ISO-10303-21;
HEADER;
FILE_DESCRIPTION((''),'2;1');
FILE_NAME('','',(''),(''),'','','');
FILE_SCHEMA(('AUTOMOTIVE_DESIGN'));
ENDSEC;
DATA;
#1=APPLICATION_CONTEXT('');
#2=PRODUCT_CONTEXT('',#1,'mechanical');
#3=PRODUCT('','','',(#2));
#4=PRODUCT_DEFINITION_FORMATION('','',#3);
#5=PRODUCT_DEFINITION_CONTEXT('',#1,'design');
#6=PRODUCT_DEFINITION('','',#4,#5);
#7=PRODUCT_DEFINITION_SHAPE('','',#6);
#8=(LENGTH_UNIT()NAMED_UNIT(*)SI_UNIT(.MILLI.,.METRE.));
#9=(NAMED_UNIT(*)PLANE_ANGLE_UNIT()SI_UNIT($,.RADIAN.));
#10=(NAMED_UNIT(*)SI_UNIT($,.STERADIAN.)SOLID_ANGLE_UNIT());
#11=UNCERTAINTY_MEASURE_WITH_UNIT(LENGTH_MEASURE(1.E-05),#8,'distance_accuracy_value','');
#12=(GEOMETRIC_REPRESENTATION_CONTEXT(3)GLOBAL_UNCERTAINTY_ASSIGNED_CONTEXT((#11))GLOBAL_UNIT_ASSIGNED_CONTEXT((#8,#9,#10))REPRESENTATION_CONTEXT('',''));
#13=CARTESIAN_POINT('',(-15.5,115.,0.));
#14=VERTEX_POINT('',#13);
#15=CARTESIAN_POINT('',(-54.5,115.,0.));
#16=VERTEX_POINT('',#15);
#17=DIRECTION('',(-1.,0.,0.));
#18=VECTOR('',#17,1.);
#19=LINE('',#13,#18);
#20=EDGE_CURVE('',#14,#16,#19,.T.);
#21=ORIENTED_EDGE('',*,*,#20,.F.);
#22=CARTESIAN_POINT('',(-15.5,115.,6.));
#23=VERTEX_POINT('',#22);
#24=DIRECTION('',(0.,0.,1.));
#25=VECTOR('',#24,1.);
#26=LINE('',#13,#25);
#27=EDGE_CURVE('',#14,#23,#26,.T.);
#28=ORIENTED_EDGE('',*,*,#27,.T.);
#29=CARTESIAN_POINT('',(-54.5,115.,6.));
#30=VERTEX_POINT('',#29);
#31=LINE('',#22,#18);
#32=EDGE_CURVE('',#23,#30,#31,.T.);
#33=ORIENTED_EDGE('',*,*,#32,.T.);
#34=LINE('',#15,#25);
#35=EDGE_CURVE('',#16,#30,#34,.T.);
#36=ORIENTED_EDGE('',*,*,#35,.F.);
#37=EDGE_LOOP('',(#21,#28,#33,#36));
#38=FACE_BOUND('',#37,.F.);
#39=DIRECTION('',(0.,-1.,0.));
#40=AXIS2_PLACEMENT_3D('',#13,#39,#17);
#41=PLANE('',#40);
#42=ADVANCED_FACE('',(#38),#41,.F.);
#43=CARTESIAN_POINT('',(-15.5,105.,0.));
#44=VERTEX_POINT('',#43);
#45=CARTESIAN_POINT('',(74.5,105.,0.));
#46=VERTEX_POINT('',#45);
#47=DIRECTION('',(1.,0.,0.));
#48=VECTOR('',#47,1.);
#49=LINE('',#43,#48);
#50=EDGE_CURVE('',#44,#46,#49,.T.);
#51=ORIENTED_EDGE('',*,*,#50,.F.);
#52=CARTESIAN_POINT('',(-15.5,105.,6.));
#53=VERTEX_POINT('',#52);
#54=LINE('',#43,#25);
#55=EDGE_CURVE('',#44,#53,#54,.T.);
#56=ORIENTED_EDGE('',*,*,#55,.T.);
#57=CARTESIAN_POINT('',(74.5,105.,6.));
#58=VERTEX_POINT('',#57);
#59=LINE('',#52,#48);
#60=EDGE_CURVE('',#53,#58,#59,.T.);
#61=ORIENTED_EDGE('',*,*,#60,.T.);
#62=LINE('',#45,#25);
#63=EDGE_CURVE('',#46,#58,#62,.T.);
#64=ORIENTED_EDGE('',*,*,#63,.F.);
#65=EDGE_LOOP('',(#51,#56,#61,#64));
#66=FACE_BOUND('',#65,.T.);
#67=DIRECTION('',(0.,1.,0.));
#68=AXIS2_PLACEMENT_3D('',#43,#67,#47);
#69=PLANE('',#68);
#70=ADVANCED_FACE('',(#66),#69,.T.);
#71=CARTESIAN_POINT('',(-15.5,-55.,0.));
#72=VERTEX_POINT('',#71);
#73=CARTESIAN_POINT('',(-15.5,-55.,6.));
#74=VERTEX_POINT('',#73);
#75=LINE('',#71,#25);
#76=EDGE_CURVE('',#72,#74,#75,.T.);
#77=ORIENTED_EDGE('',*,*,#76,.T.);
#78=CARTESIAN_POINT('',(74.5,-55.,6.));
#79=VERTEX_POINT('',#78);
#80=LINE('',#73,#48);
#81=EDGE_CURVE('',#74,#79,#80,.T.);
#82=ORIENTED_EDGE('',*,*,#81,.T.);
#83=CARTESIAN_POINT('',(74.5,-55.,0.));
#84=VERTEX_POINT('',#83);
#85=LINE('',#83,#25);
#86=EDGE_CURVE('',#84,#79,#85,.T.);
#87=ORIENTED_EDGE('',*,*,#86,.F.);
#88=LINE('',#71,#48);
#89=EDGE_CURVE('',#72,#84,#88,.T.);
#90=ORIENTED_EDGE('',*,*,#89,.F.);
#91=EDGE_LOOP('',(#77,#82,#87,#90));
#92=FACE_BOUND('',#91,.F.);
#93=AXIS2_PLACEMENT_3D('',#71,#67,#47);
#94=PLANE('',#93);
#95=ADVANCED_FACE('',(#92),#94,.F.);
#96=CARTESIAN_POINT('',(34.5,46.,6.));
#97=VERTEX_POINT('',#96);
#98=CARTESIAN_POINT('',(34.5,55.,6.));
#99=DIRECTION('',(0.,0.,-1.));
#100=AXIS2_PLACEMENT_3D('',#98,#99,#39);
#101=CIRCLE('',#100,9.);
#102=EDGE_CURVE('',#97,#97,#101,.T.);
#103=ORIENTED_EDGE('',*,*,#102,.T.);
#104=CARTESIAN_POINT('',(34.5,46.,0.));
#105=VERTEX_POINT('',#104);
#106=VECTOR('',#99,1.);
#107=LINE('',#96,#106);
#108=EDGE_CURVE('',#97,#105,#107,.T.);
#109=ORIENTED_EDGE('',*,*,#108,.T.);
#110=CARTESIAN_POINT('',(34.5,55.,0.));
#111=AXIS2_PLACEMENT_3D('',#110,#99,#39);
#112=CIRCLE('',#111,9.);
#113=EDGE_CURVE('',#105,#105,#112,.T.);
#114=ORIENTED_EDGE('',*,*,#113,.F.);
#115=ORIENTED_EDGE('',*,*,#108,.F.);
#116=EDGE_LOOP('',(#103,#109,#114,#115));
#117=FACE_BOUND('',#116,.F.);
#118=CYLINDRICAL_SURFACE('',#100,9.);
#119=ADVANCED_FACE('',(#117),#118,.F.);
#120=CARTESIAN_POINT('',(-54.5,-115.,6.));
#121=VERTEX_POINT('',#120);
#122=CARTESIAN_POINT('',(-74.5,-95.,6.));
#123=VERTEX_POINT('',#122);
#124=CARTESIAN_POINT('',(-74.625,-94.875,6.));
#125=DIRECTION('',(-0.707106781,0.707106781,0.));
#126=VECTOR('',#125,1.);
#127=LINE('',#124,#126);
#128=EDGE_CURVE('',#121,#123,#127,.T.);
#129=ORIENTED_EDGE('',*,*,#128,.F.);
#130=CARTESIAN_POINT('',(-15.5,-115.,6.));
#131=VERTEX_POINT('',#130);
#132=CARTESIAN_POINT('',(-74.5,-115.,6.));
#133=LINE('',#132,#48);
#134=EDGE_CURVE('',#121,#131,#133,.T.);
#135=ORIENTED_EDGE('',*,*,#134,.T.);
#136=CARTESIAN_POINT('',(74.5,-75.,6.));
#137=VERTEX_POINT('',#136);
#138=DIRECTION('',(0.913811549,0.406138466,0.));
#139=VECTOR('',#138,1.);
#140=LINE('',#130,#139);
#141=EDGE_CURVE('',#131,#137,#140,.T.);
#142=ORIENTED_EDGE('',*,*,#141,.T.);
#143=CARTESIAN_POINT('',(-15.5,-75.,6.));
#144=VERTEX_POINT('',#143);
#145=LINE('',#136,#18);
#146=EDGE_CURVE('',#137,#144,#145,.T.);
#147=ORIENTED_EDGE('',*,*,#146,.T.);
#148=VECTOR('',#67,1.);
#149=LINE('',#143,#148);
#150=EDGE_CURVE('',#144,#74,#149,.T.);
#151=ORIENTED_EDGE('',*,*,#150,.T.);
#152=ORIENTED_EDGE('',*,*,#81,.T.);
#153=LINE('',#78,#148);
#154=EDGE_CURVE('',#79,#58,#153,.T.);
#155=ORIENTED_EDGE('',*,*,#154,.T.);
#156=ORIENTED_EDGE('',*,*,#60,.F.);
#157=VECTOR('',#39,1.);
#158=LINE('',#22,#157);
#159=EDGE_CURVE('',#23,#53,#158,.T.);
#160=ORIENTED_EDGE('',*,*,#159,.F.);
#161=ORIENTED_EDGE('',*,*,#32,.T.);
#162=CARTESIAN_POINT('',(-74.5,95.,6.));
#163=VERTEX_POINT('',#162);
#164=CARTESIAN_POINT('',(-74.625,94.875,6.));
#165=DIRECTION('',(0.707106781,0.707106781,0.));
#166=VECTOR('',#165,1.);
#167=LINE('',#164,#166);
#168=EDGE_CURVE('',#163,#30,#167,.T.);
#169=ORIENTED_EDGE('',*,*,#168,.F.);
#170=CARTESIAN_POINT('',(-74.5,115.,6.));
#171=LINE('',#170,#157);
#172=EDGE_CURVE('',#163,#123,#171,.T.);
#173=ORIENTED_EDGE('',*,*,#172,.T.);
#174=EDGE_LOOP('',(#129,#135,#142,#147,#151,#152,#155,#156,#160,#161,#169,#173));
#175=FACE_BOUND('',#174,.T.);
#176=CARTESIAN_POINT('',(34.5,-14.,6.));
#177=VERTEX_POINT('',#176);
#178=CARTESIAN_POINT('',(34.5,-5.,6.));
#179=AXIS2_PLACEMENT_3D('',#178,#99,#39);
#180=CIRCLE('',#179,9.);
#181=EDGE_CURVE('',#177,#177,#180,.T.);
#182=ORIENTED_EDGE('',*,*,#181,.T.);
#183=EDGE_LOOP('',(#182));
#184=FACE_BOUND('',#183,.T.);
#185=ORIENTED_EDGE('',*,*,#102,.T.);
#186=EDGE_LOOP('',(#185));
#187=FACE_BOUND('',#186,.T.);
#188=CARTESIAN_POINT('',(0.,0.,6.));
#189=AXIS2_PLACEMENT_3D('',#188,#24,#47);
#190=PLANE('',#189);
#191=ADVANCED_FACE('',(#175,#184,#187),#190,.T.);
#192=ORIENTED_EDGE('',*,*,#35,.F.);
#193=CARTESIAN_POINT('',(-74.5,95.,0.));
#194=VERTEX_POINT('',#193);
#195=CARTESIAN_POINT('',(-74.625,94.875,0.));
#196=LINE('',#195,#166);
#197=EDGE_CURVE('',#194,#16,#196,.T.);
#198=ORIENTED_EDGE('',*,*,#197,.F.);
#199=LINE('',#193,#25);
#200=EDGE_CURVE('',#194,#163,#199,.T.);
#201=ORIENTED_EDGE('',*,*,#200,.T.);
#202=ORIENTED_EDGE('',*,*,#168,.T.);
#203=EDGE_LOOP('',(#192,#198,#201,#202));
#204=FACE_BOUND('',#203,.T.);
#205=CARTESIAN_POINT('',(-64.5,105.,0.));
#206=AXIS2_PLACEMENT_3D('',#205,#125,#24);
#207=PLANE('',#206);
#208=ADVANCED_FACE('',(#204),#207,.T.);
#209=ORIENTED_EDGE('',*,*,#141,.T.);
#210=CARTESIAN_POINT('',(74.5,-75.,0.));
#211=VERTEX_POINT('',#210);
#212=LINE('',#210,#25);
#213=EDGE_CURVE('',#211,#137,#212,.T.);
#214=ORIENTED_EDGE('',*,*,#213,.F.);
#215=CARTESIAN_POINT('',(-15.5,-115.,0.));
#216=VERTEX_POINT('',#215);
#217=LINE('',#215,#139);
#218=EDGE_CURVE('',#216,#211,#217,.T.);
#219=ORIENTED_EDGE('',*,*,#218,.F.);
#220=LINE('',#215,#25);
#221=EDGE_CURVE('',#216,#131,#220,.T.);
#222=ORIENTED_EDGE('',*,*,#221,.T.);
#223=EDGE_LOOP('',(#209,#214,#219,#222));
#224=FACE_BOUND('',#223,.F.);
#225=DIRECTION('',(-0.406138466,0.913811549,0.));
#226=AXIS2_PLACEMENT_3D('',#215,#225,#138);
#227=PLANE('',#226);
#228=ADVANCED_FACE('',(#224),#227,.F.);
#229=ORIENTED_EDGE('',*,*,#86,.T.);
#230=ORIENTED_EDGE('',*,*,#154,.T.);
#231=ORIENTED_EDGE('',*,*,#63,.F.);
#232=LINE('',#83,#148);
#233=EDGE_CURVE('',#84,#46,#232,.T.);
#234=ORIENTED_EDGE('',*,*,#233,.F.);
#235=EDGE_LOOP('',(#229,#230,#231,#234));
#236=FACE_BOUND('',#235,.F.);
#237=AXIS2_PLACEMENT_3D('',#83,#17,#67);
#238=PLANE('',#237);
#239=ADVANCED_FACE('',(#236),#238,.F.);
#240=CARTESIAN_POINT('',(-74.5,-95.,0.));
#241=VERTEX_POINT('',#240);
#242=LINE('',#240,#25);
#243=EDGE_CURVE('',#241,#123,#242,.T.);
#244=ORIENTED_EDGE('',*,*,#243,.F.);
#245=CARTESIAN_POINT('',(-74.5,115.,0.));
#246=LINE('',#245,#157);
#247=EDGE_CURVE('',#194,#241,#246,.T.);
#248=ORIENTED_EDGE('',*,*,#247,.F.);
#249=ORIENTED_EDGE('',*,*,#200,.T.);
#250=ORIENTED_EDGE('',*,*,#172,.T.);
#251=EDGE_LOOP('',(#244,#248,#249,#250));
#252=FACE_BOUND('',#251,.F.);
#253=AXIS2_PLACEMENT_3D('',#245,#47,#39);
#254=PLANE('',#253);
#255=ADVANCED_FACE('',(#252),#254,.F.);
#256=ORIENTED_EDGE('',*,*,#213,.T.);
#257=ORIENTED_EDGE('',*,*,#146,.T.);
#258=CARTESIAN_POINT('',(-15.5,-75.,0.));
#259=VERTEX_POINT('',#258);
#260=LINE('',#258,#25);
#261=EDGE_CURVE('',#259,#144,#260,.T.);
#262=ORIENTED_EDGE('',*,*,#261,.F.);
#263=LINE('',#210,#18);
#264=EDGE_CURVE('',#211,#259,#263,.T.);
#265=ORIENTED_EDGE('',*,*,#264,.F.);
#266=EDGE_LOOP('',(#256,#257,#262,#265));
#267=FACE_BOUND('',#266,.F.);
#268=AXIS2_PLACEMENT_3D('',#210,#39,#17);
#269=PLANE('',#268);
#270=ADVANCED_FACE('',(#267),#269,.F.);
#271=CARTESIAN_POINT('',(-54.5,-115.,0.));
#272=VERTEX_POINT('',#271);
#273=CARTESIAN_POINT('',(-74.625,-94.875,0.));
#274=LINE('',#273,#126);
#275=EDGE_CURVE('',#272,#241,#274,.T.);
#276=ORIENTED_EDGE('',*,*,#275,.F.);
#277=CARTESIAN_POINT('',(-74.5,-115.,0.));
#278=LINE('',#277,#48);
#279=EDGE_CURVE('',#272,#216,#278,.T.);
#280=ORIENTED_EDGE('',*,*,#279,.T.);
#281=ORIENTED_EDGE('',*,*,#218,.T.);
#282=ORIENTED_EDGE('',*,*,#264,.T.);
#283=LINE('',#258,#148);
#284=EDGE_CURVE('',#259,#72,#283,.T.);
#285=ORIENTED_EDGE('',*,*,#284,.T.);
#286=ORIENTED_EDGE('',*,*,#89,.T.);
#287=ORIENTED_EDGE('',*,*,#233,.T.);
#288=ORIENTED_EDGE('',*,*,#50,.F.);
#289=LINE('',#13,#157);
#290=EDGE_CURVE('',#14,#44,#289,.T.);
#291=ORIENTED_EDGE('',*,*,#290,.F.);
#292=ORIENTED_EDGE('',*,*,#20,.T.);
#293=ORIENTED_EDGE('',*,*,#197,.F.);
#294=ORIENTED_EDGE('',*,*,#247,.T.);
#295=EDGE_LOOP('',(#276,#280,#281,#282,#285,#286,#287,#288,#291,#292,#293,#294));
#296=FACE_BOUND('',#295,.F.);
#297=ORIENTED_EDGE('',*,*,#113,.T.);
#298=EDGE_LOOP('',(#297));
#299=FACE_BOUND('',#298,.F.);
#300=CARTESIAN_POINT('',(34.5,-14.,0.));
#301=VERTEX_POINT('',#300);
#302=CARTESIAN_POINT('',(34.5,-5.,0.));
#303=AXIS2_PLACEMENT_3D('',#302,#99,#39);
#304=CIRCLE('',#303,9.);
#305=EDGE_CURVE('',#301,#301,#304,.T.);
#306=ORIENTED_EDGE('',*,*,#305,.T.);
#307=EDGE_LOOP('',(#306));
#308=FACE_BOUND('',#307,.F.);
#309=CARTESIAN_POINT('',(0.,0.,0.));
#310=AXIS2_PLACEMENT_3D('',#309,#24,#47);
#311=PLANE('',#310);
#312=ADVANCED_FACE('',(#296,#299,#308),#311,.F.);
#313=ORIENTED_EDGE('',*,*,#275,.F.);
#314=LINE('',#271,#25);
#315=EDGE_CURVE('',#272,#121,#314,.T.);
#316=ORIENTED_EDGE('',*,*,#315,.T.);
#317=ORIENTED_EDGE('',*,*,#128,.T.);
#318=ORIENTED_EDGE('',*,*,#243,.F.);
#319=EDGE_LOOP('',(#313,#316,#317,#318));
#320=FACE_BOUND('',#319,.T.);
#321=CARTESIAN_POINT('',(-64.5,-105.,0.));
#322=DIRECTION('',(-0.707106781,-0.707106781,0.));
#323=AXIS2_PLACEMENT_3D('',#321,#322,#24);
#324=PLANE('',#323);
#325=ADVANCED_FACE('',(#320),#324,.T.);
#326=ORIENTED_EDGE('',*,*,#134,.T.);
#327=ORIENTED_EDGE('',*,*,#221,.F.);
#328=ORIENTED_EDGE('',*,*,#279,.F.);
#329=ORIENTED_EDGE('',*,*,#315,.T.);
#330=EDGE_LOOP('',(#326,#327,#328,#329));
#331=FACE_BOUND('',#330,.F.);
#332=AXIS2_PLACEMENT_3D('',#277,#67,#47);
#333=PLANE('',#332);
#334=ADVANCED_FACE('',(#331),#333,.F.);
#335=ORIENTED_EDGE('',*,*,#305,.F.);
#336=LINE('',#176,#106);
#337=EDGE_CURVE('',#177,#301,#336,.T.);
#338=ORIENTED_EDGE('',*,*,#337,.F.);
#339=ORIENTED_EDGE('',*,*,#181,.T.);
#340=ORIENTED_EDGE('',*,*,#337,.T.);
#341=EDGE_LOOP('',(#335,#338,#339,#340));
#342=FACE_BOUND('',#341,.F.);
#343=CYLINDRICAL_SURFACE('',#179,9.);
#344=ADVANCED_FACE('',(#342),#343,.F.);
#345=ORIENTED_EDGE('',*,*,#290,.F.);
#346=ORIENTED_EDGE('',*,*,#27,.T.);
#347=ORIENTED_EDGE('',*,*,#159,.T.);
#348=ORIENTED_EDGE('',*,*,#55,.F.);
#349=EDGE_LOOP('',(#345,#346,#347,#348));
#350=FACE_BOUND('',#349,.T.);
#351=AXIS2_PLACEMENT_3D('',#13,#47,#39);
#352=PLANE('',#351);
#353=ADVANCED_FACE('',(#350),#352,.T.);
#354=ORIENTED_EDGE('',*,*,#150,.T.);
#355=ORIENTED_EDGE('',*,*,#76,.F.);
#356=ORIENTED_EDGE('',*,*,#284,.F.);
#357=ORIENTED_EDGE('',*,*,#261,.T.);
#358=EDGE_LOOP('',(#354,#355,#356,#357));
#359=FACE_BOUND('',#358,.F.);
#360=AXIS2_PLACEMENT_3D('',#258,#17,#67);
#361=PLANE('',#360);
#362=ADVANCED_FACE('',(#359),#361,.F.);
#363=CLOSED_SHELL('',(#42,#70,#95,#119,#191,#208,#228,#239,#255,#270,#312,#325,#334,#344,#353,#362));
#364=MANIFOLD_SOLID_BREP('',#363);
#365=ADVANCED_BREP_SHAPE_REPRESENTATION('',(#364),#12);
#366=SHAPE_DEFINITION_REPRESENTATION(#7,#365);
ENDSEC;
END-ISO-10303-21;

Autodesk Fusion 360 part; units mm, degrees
sketch "スケッチ1" plane through (0, 0, 0) normal (0, 0, 1) x (1, 0, 0)
  line L0 (-15.5, 115) -> (-74.5, 115)
  line L1 (-74.5, 115) -> (-74.5, -115)
  line L2 (-74.5, -115) -> (-15.5, -115)
  line L3 (74.5, -55) -> (74.5, 105)
  line L4 (68.0217, 105) -> (-74.5, -115) construction
  line L5 (-74.5, 115) -> (54.38, -83.9422) construction
  line L6 (-15.5, 115) -> (-15.5, 105)
  line L7 (-15.5, 105) -> (74.5, 105)
  line L8 (-74.5, -115) -> (-15.5, -115) construction
  line L9 (-15.5, -115) -> (74.5, -75)
  line L10 (74.5, -75) -> (-15.5, -75)
  line L11 (-15.5, -75) -> (-15.5, -55)
  line L12 (-15.5, -55) -> (74.5, -55)
  dimension "d2" = 230
  dimension "d5" = 59
  dimension "d7" = 90
  dimension "d8" = 20
extrude "押し出し1" add sketch "スケッチ1" along normal blind 6
chamfer "面取り1" distance 20 angle 45 2 edges at (-74.5, -115, 3) (-74.5, 115, 3)
sketch "スケッチ2" plane through (0, 0, 6) normal (0, 0, 1) x (-1, 0, 0)
  line L0 (54.5, -115) -> (74.5, -95)
  line L1 (74.5, -95) -> (74.5, 95)
  line L2 (74.5, 95) -> (54.5, 115)
  line L3 (54.5, 115) -> (15.5, 115)
  line L4 (15.5, 115) -> (-74.5, 75)
  line L5 (-74.5, 75) -> (15.5, 75)
  line L6 (15.5, 75) -> (15.5, 55)
  line L7 (15.5, 55) -> (-74.5, 55)
  line L8 (-74.5, 55) -> (-74.5, -105)
  line L9 (-74.5, -105) -> (15.5, -105)
  line L10 (15.5, -105) -> (15.5, -115)
  line L11 (15.5, -115) -> (54.5, -115)
  line L12 (-74.5, -105) -> (-34.5, -105) construction
  line L13 (-34.5, -105) -> (-34.5, -55) construction
  line L14 (-34.5, -55) -> (-74.5, -55) construction
  line L15 (-74.5, -55) -> (-74.5, -105) construction
  line L16 (-34.5, -55) -> (-34.5, 5) construction
  point P0 (-34.5, -55)
  point P1 (-34.5, 5)
  dimension "d12" = 40
  dimension "d13" = 50
  dimension "d14" = 60
hole "穴1" at (34.5, 55, 6) at (34.5, -5, 6) direction (0, 0, -1) diameter 18 end through all
equation "d5 = 20 mm + 39 mm"
